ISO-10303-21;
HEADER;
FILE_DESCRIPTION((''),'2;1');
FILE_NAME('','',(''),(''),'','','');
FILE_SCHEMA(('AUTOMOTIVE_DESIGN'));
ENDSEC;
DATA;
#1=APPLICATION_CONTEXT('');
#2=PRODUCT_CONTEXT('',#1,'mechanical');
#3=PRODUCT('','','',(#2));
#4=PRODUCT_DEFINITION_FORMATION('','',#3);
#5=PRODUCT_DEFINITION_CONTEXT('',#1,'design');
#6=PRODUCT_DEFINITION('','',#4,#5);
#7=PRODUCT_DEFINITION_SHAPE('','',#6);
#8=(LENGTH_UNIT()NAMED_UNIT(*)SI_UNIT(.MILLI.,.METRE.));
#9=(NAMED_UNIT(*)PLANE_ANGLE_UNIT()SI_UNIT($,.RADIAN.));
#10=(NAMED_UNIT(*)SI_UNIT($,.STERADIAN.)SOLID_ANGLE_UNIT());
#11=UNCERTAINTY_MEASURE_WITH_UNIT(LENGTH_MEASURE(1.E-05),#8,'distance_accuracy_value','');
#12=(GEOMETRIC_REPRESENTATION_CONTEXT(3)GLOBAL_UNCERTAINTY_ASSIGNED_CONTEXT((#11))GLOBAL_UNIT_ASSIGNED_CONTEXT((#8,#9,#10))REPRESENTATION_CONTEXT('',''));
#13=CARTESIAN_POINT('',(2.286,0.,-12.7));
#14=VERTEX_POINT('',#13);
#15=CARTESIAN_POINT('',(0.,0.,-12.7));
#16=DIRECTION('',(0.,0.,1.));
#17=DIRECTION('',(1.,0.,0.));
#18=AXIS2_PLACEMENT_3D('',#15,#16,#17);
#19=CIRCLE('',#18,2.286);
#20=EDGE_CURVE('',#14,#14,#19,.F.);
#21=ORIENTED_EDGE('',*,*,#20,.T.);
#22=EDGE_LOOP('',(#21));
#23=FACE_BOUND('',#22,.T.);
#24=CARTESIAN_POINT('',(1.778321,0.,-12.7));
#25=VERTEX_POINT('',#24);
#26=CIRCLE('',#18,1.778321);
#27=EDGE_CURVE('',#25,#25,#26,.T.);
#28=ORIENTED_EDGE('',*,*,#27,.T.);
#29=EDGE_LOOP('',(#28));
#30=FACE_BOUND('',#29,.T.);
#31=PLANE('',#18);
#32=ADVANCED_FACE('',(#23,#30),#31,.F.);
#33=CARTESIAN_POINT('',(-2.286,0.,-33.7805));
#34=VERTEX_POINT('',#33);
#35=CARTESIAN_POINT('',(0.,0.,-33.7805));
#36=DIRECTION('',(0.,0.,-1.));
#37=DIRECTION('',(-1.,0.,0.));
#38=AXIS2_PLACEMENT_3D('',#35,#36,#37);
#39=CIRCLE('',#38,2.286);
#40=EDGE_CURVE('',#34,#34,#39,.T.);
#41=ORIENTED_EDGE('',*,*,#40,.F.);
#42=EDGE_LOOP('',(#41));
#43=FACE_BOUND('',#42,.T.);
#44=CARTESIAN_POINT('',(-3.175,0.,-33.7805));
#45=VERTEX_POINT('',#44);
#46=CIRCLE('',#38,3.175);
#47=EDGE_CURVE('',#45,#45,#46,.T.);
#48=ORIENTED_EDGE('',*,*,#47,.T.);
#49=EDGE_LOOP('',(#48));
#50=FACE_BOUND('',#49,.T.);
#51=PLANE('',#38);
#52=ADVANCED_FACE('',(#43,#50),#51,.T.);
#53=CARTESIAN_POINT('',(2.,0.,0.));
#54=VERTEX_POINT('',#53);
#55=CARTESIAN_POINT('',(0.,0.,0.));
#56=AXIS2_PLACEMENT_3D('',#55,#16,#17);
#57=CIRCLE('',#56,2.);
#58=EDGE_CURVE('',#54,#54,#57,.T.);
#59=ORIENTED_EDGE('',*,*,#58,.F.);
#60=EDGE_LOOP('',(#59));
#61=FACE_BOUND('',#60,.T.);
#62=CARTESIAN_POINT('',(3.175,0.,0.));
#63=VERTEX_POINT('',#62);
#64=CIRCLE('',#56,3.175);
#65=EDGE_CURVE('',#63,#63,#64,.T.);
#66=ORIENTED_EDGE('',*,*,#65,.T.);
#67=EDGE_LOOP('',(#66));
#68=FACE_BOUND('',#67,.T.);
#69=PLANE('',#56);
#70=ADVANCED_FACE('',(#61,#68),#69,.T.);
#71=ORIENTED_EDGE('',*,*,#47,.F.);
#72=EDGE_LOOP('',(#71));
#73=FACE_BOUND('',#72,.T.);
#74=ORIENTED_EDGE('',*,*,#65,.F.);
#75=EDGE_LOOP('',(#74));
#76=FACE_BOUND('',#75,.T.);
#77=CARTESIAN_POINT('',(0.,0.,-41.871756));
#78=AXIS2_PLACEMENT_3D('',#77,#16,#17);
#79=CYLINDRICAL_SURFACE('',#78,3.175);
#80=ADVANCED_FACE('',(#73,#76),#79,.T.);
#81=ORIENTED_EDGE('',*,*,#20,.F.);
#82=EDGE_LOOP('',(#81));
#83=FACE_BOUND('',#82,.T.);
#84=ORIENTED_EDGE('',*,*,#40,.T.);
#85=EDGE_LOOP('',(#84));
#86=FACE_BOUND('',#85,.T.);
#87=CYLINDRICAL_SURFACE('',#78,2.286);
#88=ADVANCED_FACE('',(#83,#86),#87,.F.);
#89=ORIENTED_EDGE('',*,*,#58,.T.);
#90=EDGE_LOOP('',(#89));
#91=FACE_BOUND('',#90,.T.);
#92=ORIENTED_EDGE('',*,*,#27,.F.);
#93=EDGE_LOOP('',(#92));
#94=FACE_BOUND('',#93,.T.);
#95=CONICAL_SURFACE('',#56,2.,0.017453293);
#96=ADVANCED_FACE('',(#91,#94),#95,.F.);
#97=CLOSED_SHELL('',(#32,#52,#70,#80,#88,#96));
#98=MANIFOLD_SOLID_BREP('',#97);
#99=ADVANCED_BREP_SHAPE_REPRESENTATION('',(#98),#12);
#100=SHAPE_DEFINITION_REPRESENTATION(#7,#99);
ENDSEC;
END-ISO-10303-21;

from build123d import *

# Parameters (mm, degrees)
SKETCH1_R           = 3.175
SKETCH1_R_2         = 2.286
BOSS_EXTRUDE1_DEPTH = 29.7165
SKETCH2_R           = 3.175
SKETCH2_R_2         = 2.286
BOSS_EXTRUDE2_DEPTH = 4.064
SKETCH3_R           = 2.762
SKETCH3_R_2         = 2
EXTRUDE_THIN1_DEPTH = 12.7
EXTRUDE_THIN1_TAPER = -1


with BuildPart() as part:
    # Sketch1 → Boss-Extrude1 (new body)
    with BuildSketch(Plane.XY):
        Circle(SKETCH1_R)
        Circle(SKETCH1_R_2, mode=Mode.SUBTRACT)
    extrude(amount=-BOSS_EXTRUDE1_DEPTH)

    # Sketch2 → Boss-Extrude2 (add)
    with BuildSketch(Plane(origin=(0, 0, -29.7165), x_dir=(-1, 0, 0), z_dir=(0, 0, -1))):
        Circle(SKETCH2_R)
        Circle(SKETCH2_R_2, mode=Mode.SUBTRACT)
    extrude(amount=BOSS_EXTRUDE2_DEPTH)

    # Sketch3 → Extrude-Thin1 (add)
    with BuildSketch(Plane.XY):
        Circle(SKETCH3_R)
        Circle(SKETCH3_R_2, mode=Mode.SUBTRACT)
    extrude(amount=-EXTRUDE_THIN1_DEPTH, taper=EXTRUDE_THIN1_TAPER)


solid = part.part
